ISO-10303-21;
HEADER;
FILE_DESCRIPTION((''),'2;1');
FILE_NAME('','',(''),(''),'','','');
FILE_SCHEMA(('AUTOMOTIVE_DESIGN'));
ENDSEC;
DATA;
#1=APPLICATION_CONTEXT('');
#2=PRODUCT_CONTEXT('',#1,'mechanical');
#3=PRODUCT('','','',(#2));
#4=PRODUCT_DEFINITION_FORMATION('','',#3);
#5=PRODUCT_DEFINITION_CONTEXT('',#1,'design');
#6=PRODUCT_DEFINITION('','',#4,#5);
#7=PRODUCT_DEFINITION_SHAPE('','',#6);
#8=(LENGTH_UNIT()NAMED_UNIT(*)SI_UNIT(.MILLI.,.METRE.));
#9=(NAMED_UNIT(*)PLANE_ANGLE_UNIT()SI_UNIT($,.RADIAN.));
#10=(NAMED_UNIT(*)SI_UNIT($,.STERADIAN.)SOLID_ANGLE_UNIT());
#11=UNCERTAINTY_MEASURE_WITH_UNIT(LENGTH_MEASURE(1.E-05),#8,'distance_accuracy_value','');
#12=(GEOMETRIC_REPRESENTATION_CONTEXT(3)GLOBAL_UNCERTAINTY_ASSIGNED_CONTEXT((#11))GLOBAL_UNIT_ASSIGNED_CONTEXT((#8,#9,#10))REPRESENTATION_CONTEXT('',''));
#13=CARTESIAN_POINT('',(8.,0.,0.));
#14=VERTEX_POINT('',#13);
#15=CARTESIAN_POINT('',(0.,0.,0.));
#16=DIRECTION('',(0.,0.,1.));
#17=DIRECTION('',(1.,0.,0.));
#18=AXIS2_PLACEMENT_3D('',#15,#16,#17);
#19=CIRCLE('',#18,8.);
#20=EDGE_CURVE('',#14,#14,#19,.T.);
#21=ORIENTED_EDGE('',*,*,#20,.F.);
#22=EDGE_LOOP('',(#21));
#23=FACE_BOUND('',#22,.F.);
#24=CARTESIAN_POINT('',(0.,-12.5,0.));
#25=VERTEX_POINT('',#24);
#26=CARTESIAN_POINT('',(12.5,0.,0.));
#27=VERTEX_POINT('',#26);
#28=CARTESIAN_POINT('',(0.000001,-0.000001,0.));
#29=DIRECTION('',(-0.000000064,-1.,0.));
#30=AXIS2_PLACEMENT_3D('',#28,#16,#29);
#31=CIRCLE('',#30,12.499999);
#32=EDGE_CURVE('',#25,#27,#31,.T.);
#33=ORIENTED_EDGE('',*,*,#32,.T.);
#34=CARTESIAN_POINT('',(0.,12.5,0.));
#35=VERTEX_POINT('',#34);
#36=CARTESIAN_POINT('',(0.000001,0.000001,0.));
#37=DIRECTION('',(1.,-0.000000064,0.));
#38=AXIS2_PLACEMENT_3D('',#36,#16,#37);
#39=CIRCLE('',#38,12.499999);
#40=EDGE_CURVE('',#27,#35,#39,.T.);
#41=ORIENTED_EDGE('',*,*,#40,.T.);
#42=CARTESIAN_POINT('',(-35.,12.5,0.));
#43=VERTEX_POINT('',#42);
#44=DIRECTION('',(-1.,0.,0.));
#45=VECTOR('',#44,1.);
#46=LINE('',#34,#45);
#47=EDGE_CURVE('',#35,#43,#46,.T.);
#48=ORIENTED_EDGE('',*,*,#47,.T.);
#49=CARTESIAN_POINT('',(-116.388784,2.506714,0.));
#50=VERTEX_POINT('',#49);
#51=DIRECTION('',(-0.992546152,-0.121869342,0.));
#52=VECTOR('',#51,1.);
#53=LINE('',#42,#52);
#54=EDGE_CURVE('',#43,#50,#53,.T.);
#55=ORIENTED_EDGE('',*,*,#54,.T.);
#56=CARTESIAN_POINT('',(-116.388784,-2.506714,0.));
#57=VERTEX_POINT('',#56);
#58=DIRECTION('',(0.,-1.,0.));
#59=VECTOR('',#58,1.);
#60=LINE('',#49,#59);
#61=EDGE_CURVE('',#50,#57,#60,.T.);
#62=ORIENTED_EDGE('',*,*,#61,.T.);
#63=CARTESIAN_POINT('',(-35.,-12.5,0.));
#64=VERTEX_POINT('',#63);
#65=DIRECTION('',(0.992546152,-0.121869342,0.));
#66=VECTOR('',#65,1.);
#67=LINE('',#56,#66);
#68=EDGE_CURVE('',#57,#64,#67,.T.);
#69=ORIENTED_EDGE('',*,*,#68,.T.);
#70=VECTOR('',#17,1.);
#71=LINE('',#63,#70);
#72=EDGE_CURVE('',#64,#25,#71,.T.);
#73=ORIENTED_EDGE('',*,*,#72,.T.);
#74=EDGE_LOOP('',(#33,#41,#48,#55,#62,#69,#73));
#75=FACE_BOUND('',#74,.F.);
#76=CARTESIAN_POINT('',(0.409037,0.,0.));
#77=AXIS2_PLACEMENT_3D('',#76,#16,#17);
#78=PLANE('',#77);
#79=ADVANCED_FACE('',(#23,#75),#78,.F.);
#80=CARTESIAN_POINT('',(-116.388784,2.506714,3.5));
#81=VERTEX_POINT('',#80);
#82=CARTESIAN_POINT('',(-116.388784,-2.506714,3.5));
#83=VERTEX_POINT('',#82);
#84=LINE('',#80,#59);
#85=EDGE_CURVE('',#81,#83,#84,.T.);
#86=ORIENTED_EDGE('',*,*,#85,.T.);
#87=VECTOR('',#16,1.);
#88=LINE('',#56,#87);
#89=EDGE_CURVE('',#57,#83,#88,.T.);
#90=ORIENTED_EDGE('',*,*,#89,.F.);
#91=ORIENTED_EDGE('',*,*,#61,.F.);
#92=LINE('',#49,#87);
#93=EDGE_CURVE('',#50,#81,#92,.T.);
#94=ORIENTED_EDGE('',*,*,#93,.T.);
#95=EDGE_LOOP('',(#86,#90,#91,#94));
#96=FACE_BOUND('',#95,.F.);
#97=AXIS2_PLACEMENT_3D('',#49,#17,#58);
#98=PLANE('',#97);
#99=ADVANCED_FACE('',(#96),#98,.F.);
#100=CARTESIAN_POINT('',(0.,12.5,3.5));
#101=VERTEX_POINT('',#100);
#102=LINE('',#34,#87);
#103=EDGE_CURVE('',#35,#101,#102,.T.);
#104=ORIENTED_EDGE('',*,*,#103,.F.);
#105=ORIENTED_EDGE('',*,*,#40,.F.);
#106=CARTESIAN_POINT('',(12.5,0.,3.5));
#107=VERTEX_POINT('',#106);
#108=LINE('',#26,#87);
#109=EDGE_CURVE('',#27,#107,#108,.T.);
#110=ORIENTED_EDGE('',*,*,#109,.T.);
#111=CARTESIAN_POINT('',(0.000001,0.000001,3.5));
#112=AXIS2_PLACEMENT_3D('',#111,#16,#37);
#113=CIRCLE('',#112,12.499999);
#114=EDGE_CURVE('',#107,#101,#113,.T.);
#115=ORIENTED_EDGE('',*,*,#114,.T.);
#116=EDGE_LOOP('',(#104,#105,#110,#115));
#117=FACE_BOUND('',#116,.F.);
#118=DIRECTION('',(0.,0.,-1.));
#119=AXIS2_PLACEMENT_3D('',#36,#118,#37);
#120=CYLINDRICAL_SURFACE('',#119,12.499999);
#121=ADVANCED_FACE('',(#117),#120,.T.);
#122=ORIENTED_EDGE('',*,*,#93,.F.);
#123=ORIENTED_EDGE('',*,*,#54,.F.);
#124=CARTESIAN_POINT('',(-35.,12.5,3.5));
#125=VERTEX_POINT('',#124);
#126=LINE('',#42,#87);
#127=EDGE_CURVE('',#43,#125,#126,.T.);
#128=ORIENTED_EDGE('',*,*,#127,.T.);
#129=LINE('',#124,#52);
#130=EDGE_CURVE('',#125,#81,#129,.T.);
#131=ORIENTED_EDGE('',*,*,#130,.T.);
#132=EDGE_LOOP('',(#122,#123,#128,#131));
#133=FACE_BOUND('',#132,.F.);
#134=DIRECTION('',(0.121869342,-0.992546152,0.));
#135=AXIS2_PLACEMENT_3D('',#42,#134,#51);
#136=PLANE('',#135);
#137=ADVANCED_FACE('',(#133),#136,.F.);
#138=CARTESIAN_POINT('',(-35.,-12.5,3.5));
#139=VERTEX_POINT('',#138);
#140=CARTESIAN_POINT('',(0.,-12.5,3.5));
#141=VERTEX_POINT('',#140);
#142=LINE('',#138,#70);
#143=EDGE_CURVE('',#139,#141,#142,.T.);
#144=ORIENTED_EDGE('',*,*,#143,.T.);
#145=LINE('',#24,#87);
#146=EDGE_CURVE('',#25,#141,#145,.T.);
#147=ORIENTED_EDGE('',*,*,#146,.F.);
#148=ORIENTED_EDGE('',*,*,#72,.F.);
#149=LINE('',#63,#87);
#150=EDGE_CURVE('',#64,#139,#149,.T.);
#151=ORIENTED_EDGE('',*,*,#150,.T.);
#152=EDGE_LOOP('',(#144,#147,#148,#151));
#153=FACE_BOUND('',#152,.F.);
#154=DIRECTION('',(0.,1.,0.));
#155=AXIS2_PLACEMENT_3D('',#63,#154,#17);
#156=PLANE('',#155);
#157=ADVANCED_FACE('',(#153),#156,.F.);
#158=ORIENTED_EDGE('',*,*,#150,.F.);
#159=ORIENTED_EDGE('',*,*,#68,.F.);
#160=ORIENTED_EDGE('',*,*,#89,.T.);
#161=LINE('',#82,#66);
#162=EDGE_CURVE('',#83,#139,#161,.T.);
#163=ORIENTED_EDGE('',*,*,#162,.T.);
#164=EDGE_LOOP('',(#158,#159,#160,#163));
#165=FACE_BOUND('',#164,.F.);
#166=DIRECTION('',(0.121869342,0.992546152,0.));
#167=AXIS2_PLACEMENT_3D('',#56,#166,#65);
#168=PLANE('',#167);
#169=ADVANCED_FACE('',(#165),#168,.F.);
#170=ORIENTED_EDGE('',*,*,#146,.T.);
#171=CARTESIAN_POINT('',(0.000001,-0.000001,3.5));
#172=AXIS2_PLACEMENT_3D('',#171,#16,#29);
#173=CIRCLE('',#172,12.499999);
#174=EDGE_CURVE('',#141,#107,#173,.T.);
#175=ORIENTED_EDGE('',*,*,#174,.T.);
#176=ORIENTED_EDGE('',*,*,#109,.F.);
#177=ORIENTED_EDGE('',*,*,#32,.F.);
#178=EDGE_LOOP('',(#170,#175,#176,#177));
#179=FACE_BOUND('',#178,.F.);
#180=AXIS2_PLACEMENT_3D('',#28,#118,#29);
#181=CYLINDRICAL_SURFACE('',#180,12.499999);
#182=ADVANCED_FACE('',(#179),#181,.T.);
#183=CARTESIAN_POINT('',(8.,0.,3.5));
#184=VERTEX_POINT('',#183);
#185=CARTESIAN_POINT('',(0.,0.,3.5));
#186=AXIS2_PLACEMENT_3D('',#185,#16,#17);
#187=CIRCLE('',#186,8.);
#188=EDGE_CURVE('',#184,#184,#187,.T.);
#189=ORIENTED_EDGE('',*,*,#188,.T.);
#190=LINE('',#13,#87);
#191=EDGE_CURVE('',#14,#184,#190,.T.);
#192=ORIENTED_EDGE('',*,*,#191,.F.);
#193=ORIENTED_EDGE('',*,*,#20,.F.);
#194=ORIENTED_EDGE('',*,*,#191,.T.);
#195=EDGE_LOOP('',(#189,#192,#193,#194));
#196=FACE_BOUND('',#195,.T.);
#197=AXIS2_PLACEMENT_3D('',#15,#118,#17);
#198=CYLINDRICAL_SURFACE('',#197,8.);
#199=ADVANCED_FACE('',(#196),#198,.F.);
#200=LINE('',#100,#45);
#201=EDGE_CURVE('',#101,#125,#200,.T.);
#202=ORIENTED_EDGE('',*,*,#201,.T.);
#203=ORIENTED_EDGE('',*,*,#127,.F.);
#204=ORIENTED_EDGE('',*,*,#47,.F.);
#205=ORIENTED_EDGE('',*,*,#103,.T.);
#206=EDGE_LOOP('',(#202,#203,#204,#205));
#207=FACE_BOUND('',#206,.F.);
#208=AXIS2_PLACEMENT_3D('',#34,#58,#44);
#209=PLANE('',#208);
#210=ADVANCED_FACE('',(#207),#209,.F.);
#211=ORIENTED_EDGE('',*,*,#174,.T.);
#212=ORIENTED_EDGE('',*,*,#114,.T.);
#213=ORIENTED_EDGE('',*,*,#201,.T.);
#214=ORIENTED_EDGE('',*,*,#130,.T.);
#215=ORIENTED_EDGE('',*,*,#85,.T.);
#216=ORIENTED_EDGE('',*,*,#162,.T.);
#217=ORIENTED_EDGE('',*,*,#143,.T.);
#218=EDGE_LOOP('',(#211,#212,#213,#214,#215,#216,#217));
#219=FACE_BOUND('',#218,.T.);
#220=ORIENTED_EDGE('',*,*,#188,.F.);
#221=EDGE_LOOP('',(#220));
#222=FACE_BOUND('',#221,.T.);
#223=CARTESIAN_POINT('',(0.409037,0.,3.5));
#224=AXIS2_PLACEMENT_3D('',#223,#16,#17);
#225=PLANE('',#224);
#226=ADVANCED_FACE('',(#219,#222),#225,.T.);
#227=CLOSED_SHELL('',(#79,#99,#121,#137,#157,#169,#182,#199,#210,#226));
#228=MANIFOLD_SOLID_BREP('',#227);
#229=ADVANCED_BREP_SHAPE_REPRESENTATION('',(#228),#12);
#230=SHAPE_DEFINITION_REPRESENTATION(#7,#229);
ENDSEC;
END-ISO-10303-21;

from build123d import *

# Parameters (mm, degrees)
F0_R     = 8
F1_DEPTH = 3.5
F2_W     = 20
F2_H     = 2.68282
F2_R     = 17.5
F2_R_2   = 12.5
F3_DEPTH = 2


with BuildPart() as f1:
    # F0 (on Top) → F1 (new body)
    with BuildSketch(Plane.XY):
        with BuildLine():
            ThreePointArc((0, -12.5), (8.838835, -8.838835), (12.5, 0))
            ThreePointArc((12.5, 0), (8.838835, 8.838835), (0, 12.5))
            ThreePointArc((0, 12.5), (-12.5, 0), (0, -12.5))
        make_face()
        Circle(F0_R, mode=Mode.SUBTRACT)
        with BuildLine():
            ThreePointArc((0, -12.5), (-12.5, 0), (0, 12.5))
            Line((0, 12.5), (-35, 12.5))
            Line((-35, 12.5), (-116.388784, 2.506714))
            Line((-116.388784, 2.506714), (-116.388784, -2.506714))
            Line((-116.388784, -2.506714), (-35, -12.5))
            Line((-35, -12.5), (0, -12.5))
        make_face()
    extrude(amount=F1_DEPTH)

    # F2 (on Top) → F3 (cut)
    with BuildSketch(Plane.XY):
        with Locations((-106.47232, 0.332368)):
            Rectangle(F2_W, F2_H)
        Circle(F2_R)
        Circle(F2_R_2, mode=Mode.SUBTRACT)
    extrude(amount=-F3_DEPTH, mode=Mode.SUBTRACT)


solid = f1.part
